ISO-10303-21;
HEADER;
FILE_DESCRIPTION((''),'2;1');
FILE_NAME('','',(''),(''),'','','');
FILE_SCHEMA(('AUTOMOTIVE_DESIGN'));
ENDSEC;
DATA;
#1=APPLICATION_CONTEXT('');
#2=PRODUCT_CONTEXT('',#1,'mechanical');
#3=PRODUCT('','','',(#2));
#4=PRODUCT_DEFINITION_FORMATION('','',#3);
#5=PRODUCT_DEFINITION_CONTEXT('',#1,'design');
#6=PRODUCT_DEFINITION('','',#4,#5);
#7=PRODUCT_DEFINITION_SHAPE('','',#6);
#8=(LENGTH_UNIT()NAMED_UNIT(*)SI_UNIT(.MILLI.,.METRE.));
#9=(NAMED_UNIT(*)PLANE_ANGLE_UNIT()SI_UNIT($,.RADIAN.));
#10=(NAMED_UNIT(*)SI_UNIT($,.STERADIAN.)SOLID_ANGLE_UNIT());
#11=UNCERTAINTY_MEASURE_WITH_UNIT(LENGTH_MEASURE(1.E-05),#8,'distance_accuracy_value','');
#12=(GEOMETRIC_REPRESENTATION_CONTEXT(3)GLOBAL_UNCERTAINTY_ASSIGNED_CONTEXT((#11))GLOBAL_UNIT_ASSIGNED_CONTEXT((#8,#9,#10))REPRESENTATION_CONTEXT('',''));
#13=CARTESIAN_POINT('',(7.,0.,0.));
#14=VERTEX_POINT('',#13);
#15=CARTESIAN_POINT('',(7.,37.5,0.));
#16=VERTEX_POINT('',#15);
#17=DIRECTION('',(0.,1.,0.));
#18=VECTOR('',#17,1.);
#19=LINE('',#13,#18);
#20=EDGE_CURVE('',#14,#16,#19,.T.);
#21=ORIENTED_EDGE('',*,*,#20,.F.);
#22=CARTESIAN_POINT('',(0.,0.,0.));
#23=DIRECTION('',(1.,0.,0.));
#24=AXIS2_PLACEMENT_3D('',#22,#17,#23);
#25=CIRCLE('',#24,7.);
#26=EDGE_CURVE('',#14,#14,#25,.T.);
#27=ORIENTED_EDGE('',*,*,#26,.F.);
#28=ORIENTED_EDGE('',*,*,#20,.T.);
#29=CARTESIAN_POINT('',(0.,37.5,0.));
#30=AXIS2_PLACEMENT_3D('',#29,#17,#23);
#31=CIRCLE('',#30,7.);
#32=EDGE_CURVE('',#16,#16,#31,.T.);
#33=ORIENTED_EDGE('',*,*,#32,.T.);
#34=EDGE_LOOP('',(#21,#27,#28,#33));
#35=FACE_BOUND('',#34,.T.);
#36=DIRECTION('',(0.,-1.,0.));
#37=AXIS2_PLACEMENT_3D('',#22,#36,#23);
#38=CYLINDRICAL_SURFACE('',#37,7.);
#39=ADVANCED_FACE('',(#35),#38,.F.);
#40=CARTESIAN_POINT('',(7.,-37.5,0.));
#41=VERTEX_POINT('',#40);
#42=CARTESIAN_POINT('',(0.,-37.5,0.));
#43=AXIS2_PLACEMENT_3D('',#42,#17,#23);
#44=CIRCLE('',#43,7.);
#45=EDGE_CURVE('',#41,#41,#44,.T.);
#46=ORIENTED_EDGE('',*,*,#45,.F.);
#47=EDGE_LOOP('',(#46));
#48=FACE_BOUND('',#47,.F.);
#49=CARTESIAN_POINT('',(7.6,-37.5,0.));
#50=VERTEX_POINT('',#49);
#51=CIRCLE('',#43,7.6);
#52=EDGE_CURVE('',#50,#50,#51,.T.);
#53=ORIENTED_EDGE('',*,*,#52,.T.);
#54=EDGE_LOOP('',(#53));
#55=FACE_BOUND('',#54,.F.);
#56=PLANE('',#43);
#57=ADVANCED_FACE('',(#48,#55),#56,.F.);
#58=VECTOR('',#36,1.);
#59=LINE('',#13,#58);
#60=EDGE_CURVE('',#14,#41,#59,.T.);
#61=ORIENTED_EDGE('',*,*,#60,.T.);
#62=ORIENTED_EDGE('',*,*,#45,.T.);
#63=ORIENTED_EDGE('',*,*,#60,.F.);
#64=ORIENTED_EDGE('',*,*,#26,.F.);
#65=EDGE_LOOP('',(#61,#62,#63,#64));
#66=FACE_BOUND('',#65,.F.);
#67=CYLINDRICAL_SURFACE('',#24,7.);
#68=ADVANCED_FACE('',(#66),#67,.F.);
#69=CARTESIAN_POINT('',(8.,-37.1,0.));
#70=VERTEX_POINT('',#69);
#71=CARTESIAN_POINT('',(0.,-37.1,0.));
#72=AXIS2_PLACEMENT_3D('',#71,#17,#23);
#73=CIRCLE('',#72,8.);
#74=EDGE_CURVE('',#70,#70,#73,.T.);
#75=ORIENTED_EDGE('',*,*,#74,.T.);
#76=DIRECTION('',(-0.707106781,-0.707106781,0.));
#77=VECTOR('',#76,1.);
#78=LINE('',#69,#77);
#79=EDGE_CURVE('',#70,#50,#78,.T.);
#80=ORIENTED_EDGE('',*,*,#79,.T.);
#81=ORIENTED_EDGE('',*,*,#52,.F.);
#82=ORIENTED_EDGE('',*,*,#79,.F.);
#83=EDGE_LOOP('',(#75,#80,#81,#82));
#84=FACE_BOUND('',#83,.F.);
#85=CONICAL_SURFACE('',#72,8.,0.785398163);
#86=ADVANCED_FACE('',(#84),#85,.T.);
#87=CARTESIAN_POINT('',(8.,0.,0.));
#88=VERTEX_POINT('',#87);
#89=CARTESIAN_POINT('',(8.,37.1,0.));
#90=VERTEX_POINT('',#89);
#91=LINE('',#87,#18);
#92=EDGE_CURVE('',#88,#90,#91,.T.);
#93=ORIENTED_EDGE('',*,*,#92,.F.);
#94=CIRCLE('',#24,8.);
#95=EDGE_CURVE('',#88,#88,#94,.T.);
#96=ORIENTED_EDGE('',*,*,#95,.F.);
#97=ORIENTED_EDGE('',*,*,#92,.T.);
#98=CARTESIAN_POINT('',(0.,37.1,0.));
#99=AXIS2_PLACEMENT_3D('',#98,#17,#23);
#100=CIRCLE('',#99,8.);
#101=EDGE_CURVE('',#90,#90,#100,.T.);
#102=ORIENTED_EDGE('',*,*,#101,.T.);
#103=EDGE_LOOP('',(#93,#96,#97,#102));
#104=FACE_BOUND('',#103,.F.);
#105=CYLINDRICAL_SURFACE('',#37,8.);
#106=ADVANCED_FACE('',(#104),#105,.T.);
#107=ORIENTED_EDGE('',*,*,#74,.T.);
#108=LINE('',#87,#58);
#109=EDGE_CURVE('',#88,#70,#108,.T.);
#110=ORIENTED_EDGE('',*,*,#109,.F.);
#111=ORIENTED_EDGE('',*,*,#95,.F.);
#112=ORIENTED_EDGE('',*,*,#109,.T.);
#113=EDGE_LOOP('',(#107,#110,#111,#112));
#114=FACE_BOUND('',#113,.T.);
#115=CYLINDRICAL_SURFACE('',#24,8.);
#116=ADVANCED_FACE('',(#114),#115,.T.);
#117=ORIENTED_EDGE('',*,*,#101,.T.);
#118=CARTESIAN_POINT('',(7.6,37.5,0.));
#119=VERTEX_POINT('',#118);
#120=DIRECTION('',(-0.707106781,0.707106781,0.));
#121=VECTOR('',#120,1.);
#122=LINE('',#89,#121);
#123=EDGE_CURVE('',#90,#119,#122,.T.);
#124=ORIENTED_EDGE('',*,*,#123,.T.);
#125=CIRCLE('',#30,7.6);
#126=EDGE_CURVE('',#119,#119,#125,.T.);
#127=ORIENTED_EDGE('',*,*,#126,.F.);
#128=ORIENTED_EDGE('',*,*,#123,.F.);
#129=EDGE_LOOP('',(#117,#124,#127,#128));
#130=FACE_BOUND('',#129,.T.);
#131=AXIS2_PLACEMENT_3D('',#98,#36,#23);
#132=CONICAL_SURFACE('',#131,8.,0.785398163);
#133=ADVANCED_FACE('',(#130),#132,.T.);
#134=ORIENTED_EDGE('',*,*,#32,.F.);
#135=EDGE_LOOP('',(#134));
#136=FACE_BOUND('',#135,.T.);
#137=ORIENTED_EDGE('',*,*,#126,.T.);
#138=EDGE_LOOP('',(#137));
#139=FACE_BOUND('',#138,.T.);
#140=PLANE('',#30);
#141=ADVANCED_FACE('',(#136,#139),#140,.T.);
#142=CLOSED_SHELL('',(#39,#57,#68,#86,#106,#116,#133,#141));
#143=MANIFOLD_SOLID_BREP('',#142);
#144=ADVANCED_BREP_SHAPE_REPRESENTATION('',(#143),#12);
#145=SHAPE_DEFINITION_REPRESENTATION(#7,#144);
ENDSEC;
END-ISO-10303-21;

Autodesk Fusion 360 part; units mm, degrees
sketch "Sketch1" plane through (0, 0, 0) normal (0, 1, 0) x (1, 0, 0)
  circle A0 centre (0, 0) radius 8
  circle A1 centre (0, 0) radius 7
  dimension "d1" = 16
  dimension "d2" = 14
extrude "Extrude1" add sketch "Sketch1" along normal mid plane 75
chamfer "Chamfer1" distance 0.4 angle 45 2 edges at (-7.4586, 37.5, 2.8929) (-7.4586, -37.5, -2.8929)
